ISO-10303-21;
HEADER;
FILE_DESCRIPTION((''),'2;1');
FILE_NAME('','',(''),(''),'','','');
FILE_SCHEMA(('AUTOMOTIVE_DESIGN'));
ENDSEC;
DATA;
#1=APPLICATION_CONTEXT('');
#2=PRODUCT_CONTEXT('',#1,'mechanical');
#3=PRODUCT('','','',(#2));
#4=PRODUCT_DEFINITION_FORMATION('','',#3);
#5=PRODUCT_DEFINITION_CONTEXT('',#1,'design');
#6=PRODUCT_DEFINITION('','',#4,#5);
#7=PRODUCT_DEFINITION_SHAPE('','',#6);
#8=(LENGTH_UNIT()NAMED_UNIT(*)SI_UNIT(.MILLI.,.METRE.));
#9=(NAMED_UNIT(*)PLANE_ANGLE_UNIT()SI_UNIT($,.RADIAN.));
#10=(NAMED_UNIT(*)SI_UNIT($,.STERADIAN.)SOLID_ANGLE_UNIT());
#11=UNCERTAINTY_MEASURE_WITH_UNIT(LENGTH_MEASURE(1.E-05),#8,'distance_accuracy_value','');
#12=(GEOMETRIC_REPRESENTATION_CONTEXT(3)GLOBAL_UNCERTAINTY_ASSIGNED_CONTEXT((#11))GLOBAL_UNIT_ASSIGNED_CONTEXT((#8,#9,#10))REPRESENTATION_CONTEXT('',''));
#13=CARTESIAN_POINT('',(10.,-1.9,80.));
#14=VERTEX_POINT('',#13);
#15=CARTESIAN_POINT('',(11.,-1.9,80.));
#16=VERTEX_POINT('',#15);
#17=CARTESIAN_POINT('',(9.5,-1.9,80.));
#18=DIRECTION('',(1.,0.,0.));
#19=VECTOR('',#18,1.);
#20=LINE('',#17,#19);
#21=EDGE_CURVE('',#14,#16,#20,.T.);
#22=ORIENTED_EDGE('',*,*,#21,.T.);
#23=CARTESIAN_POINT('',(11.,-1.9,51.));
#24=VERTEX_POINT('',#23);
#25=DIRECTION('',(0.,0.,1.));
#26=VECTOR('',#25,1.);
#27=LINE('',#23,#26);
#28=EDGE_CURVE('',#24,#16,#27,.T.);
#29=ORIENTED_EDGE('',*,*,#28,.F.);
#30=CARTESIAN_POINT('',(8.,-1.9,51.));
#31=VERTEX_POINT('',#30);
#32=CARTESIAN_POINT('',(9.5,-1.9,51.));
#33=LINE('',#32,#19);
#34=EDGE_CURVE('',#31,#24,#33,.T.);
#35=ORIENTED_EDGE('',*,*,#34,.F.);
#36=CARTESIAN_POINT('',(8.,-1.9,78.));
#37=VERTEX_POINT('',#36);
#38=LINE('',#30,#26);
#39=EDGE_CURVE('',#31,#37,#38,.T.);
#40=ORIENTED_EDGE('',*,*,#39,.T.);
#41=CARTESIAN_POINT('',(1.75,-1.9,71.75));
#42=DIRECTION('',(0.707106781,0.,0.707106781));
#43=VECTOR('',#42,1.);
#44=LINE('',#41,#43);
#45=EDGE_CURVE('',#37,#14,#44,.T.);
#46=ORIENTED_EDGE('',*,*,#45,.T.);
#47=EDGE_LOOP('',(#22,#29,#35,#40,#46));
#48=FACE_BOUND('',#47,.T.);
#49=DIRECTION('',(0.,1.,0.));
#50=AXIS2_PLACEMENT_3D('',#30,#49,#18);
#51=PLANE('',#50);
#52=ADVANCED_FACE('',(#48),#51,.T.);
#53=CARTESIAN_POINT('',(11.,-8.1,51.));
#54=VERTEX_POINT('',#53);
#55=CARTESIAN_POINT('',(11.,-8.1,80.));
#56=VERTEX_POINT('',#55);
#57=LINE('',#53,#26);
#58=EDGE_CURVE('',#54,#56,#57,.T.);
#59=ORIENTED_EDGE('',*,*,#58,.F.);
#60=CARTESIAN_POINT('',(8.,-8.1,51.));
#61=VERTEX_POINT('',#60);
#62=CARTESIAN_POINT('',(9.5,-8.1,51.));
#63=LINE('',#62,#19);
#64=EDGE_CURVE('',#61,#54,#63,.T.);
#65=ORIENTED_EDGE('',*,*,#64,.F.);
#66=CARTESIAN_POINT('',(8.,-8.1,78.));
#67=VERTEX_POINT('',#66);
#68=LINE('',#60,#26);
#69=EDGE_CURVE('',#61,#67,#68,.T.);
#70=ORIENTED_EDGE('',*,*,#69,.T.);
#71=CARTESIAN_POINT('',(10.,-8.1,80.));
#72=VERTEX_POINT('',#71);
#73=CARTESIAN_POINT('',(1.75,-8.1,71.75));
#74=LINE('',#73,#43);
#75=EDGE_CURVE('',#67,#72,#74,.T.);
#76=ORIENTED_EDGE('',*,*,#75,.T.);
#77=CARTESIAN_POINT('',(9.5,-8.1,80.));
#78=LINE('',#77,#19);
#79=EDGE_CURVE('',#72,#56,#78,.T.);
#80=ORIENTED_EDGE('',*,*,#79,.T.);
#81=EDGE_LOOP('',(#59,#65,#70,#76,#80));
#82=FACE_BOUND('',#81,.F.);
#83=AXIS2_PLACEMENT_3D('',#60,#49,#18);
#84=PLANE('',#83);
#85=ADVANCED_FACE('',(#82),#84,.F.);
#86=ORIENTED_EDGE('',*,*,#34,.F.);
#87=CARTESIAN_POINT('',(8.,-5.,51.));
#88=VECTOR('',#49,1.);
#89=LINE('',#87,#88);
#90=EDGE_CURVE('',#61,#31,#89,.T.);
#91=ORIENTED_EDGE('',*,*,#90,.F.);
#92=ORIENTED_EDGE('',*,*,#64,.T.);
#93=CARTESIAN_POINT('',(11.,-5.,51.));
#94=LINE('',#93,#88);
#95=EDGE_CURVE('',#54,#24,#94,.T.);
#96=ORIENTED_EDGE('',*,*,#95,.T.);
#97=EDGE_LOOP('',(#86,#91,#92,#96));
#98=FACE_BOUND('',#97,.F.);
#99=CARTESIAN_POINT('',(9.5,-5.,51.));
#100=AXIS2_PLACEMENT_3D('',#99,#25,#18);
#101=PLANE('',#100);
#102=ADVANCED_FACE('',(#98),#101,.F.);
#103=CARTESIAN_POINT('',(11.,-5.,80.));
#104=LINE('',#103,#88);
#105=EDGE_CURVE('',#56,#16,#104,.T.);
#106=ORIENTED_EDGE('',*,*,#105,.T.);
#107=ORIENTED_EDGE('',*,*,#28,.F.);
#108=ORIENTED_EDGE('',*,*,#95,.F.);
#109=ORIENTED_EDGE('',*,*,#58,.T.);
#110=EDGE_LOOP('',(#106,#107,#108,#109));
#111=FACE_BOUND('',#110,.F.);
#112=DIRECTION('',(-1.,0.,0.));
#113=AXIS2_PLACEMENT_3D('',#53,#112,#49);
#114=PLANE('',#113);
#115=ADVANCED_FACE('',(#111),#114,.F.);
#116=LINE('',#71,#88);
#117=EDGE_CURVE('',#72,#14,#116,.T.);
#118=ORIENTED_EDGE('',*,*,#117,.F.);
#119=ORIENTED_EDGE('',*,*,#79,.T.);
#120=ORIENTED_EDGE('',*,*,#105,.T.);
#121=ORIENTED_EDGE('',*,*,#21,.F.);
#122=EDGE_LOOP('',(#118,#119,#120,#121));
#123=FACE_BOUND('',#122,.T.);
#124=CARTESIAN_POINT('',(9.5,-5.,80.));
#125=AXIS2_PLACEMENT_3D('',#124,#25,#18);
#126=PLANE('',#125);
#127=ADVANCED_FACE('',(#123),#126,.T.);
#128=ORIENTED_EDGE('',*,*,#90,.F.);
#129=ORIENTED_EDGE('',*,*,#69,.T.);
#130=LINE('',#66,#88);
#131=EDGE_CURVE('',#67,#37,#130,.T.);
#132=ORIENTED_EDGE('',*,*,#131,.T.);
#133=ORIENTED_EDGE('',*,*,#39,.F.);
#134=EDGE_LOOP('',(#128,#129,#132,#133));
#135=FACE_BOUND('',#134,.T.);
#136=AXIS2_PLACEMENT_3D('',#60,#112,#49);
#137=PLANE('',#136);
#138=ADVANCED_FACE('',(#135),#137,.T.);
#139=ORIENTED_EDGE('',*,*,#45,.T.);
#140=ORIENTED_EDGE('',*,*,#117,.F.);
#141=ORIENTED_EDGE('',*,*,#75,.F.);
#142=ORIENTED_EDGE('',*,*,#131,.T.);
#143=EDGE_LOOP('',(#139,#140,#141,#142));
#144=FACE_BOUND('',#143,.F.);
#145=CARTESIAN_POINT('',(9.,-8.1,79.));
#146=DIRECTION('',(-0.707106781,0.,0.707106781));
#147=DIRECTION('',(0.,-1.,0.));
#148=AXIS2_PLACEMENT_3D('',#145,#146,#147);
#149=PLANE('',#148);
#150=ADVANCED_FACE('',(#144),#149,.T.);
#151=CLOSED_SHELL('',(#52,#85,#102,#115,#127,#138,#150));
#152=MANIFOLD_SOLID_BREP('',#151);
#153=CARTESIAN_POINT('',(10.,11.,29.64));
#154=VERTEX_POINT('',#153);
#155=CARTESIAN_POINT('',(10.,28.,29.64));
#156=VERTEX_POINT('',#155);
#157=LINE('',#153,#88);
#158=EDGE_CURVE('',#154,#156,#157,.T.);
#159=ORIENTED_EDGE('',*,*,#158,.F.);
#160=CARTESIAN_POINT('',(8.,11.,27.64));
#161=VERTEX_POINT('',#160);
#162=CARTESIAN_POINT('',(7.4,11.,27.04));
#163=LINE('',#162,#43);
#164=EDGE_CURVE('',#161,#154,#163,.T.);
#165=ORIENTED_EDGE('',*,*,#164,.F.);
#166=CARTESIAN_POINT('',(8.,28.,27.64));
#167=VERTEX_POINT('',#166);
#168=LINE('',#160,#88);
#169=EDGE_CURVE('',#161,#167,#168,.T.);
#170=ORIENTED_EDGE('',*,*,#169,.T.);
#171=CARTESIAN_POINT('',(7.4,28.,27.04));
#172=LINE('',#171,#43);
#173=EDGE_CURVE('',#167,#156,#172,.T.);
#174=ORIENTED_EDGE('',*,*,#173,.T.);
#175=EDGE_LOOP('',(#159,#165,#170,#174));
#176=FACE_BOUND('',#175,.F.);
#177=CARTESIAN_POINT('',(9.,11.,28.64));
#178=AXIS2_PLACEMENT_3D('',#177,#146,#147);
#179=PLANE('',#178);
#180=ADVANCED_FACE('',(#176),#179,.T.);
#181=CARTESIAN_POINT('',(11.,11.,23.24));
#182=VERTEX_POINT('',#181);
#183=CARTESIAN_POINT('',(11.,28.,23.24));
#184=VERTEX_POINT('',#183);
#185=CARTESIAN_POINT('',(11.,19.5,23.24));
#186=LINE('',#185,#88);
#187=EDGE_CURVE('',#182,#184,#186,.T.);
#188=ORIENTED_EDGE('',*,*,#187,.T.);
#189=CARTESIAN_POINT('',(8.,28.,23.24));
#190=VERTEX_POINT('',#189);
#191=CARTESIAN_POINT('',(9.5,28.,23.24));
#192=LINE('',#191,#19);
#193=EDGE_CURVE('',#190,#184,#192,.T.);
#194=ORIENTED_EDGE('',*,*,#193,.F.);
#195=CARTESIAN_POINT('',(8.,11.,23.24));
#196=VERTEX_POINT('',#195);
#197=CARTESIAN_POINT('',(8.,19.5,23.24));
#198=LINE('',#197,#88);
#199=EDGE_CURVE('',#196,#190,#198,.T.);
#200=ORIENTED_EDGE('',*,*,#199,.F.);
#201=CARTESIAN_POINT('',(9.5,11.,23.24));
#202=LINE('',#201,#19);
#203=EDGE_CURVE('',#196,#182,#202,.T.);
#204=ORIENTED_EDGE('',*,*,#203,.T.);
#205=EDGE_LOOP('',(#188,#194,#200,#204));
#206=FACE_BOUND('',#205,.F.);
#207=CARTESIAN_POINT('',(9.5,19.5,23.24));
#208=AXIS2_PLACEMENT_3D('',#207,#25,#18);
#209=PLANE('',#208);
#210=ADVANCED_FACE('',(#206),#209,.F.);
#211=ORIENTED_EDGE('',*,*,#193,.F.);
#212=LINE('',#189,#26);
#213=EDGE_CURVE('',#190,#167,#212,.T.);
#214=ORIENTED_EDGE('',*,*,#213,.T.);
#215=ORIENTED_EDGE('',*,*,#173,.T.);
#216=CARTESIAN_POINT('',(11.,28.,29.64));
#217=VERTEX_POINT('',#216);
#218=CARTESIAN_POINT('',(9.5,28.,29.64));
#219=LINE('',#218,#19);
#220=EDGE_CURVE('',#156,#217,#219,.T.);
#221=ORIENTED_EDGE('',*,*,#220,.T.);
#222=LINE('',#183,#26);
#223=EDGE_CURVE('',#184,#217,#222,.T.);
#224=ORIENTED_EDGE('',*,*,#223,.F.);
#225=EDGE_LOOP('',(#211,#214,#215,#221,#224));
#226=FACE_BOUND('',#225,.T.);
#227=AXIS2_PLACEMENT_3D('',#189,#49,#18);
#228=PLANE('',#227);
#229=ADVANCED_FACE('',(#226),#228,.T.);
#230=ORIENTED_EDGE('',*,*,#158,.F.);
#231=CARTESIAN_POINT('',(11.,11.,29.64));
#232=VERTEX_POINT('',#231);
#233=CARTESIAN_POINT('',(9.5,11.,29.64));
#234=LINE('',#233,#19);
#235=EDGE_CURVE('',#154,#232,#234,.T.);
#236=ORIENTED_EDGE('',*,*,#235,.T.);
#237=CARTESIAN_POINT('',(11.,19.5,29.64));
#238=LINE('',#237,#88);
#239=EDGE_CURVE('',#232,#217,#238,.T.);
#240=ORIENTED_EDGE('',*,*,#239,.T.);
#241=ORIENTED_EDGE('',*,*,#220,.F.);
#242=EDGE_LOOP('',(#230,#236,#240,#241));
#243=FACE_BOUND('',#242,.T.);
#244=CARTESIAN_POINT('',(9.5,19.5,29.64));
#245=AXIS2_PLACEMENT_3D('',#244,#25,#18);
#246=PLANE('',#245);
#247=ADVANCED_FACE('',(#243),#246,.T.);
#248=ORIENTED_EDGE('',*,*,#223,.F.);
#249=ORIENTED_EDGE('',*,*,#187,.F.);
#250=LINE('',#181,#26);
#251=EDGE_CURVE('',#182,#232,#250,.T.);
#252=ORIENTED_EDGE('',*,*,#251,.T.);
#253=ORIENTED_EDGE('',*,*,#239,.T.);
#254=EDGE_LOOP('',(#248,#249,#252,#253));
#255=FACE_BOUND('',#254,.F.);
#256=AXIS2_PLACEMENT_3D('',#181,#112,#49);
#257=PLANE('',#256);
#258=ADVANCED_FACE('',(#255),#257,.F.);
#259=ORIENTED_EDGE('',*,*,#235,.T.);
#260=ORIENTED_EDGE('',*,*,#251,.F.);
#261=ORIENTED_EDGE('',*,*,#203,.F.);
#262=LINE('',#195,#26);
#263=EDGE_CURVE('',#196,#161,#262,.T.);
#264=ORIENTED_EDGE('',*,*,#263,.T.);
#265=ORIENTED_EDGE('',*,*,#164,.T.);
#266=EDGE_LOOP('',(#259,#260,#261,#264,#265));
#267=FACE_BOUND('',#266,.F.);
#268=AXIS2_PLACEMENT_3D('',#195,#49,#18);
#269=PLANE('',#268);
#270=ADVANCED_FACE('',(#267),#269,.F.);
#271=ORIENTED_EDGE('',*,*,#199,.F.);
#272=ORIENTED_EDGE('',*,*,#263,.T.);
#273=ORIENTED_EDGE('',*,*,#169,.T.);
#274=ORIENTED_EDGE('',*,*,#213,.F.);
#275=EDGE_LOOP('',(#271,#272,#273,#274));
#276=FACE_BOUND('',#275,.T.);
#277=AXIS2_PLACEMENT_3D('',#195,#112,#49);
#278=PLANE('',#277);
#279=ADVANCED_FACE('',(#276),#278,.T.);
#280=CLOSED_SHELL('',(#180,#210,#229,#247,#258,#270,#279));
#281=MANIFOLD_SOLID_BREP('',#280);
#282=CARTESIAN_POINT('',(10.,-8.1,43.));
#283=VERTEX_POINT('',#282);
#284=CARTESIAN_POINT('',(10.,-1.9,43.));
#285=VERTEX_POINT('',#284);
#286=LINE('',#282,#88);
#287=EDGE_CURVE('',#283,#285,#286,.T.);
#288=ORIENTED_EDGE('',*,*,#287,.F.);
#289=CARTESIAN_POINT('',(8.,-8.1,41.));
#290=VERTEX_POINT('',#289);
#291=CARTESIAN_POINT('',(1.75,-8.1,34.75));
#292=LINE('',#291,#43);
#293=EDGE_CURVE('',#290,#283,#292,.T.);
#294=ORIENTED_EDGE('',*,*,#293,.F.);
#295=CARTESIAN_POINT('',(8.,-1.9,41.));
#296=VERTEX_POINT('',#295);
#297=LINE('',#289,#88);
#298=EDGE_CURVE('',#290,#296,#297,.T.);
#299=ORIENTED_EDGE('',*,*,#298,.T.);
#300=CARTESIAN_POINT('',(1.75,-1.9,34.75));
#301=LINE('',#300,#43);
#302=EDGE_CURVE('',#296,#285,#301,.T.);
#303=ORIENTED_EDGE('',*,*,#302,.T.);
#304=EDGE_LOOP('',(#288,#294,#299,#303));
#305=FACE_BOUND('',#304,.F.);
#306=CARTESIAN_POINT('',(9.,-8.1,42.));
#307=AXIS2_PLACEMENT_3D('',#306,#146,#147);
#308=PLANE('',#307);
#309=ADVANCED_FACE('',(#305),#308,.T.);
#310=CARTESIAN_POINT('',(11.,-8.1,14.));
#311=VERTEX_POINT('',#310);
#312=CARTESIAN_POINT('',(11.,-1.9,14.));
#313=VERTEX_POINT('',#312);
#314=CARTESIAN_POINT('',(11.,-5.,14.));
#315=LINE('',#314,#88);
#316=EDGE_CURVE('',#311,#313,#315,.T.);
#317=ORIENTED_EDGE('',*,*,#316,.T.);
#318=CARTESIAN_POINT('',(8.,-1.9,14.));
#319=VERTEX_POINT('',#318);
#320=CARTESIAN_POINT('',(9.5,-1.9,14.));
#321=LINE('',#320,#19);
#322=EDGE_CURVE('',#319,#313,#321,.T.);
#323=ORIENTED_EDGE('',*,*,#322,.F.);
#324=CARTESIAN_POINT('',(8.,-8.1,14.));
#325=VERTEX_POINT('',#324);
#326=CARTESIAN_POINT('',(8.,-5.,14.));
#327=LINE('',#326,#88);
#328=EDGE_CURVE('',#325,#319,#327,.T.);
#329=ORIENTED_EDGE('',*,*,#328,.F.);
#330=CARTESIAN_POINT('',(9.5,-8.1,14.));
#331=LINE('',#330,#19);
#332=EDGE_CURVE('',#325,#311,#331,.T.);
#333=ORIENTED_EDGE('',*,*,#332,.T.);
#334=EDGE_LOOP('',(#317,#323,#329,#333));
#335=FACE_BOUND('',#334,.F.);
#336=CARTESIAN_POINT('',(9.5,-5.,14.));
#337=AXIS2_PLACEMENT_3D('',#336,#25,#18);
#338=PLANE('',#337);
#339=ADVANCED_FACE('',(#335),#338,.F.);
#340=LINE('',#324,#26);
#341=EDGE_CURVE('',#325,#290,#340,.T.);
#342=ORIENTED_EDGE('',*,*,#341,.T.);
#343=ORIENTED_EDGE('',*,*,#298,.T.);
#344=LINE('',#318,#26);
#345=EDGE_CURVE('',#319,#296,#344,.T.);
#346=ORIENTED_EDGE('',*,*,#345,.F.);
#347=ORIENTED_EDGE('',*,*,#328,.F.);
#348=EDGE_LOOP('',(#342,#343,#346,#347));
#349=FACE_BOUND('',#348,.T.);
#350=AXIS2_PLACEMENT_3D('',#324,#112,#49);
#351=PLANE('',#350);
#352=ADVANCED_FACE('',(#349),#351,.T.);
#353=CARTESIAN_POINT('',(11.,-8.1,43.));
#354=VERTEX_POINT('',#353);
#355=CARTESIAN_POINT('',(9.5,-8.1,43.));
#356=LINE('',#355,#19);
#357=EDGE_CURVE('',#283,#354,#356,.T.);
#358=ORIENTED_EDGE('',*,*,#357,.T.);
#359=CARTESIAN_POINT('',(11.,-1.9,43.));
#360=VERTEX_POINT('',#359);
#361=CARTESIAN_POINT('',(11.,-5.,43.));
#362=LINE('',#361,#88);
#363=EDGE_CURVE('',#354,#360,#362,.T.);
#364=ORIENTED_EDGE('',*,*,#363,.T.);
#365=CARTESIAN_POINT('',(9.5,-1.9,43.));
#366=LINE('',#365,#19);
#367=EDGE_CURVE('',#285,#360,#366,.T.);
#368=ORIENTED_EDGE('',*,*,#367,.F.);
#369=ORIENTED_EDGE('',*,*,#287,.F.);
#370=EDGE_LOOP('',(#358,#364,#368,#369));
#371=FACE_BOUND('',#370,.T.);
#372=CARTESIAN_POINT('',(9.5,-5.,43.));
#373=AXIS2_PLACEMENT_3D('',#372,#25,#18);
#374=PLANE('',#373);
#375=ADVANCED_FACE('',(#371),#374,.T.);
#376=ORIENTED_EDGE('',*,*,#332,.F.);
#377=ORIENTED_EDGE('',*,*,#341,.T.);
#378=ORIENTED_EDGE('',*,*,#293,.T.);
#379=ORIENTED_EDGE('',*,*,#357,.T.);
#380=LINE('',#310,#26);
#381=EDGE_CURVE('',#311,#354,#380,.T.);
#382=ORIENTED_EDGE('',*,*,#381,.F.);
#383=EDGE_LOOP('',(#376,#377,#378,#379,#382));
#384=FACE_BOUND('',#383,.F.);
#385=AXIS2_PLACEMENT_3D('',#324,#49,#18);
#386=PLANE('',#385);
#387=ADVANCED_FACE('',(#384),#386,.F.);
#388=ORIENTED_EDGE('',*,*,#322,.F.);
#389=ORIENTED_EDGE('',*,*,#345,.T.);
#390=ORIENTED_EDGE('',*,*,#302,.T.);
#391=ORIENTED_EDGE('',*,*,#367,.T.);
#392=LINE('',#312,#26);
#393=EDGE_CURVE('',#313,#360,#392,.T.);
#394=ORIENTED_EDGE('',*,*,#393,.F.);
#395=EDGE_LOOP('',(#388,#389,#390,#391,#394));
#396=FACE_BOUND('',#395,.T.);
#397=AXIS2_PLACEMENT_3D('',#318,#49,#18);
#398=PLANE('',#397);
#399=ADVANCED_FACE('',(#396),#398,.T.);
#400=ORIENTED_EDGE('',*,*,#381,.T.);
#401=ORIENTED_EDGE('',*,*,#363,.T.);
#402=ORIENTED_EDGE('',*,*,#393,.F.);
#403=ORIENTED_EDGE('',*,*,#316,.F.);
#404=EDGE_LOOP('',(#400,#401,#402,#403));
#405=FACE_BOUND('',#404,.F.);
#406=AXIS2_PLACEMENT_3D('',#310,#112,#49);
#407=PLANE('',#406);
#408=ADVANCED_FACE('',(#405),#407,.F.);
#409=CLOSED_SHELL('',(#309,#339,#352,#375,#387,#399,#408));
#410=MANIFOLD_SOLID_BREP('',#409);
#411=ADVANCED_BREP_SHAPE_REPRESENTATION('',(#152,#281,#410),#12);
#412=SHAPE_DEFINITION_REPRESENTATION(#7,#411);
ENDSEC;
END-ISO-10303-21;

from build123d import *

# Parameters (mm, degrees)
BOX_W           = 3
BOX_H           = 6.2
BOX_DEPTH       = 29
CHAMFER005_SIZE = 2
BOX001_W        = 3
BOX001_H        = 6.2
BOX001_DEPTH    = 29
CHAMFER_SIZE    = 2
BOX002_W        = 3
BOX002_H        = 17
BOX002_DEPTH    = 6.4
CHAMFER006_SIZE = 2


with BuildPart() as chamfer005:
    # Box → Box (new body)
    with BuildSketch(Plane(origin=(8, -8.1, 14), x_dir=(1, 0, 0), z_dir=(0, 0, 1))):
        with Locations((1.5, 3.1)):
            Rectangle(BOX_W, BOX_H)
    extrude(amount=BOX_DEPTH)

    # Chamfer005
    chamfer005_edges = [chamfer005.edges().sort_by_distance(p)[0] for p in [
        (8, -5, 43),
    ]]
    chamfer(chamfer005_edges, length=CHAMFER005_SIZE)


with BuildPart() as chamfer_body:
    # Box001 → Box001 (new body)
    with BuildSketch(Plane(origin=(8, -8.1, 51), x_dir=(1, 0, 0), z_dir=(0, 0, 1))):
        with Locations((1.5, 3.1)):
            Rectangle(BOX001_W, BOX001_H)
    extrude(amount=BOX001_DEPTH)

    # Chamfer
    chamfer_edges = [chamfer_body.edges().sort_by_distance(p)[0] for p in [
        (8, -5, 80),
    ]]
    chamfer(chamfer_edges, length=CHAMFER_SIZE)


with BuildPart() as fusion:
    # Box002 → Box002 (new body)
    with BuildSketch(Plane(origin=(8, 11, 23.24), x_dir=(1, 0, 0), z_dir=(0, 0, 1))):
        with Locations((1.5, 8.5)):
            Rectangle(BOX002_W, BOX002_H)
    extrude(amount=BOX002_DEPTH)

    # Chamfer006
    chamfer006_edges = [fusion.edges().sort_by_distance(p)[0] for p in [
        (8, 19.5, 29.64),
    ]]
    chamfer(chamfer006_edges, length=CHAMFER006_SIZE)

    # Fusion: union Chamfer005, Chamfer body
    add(chamfer005.part)
    add(chamfer_body.part)


solid = fusion.part
